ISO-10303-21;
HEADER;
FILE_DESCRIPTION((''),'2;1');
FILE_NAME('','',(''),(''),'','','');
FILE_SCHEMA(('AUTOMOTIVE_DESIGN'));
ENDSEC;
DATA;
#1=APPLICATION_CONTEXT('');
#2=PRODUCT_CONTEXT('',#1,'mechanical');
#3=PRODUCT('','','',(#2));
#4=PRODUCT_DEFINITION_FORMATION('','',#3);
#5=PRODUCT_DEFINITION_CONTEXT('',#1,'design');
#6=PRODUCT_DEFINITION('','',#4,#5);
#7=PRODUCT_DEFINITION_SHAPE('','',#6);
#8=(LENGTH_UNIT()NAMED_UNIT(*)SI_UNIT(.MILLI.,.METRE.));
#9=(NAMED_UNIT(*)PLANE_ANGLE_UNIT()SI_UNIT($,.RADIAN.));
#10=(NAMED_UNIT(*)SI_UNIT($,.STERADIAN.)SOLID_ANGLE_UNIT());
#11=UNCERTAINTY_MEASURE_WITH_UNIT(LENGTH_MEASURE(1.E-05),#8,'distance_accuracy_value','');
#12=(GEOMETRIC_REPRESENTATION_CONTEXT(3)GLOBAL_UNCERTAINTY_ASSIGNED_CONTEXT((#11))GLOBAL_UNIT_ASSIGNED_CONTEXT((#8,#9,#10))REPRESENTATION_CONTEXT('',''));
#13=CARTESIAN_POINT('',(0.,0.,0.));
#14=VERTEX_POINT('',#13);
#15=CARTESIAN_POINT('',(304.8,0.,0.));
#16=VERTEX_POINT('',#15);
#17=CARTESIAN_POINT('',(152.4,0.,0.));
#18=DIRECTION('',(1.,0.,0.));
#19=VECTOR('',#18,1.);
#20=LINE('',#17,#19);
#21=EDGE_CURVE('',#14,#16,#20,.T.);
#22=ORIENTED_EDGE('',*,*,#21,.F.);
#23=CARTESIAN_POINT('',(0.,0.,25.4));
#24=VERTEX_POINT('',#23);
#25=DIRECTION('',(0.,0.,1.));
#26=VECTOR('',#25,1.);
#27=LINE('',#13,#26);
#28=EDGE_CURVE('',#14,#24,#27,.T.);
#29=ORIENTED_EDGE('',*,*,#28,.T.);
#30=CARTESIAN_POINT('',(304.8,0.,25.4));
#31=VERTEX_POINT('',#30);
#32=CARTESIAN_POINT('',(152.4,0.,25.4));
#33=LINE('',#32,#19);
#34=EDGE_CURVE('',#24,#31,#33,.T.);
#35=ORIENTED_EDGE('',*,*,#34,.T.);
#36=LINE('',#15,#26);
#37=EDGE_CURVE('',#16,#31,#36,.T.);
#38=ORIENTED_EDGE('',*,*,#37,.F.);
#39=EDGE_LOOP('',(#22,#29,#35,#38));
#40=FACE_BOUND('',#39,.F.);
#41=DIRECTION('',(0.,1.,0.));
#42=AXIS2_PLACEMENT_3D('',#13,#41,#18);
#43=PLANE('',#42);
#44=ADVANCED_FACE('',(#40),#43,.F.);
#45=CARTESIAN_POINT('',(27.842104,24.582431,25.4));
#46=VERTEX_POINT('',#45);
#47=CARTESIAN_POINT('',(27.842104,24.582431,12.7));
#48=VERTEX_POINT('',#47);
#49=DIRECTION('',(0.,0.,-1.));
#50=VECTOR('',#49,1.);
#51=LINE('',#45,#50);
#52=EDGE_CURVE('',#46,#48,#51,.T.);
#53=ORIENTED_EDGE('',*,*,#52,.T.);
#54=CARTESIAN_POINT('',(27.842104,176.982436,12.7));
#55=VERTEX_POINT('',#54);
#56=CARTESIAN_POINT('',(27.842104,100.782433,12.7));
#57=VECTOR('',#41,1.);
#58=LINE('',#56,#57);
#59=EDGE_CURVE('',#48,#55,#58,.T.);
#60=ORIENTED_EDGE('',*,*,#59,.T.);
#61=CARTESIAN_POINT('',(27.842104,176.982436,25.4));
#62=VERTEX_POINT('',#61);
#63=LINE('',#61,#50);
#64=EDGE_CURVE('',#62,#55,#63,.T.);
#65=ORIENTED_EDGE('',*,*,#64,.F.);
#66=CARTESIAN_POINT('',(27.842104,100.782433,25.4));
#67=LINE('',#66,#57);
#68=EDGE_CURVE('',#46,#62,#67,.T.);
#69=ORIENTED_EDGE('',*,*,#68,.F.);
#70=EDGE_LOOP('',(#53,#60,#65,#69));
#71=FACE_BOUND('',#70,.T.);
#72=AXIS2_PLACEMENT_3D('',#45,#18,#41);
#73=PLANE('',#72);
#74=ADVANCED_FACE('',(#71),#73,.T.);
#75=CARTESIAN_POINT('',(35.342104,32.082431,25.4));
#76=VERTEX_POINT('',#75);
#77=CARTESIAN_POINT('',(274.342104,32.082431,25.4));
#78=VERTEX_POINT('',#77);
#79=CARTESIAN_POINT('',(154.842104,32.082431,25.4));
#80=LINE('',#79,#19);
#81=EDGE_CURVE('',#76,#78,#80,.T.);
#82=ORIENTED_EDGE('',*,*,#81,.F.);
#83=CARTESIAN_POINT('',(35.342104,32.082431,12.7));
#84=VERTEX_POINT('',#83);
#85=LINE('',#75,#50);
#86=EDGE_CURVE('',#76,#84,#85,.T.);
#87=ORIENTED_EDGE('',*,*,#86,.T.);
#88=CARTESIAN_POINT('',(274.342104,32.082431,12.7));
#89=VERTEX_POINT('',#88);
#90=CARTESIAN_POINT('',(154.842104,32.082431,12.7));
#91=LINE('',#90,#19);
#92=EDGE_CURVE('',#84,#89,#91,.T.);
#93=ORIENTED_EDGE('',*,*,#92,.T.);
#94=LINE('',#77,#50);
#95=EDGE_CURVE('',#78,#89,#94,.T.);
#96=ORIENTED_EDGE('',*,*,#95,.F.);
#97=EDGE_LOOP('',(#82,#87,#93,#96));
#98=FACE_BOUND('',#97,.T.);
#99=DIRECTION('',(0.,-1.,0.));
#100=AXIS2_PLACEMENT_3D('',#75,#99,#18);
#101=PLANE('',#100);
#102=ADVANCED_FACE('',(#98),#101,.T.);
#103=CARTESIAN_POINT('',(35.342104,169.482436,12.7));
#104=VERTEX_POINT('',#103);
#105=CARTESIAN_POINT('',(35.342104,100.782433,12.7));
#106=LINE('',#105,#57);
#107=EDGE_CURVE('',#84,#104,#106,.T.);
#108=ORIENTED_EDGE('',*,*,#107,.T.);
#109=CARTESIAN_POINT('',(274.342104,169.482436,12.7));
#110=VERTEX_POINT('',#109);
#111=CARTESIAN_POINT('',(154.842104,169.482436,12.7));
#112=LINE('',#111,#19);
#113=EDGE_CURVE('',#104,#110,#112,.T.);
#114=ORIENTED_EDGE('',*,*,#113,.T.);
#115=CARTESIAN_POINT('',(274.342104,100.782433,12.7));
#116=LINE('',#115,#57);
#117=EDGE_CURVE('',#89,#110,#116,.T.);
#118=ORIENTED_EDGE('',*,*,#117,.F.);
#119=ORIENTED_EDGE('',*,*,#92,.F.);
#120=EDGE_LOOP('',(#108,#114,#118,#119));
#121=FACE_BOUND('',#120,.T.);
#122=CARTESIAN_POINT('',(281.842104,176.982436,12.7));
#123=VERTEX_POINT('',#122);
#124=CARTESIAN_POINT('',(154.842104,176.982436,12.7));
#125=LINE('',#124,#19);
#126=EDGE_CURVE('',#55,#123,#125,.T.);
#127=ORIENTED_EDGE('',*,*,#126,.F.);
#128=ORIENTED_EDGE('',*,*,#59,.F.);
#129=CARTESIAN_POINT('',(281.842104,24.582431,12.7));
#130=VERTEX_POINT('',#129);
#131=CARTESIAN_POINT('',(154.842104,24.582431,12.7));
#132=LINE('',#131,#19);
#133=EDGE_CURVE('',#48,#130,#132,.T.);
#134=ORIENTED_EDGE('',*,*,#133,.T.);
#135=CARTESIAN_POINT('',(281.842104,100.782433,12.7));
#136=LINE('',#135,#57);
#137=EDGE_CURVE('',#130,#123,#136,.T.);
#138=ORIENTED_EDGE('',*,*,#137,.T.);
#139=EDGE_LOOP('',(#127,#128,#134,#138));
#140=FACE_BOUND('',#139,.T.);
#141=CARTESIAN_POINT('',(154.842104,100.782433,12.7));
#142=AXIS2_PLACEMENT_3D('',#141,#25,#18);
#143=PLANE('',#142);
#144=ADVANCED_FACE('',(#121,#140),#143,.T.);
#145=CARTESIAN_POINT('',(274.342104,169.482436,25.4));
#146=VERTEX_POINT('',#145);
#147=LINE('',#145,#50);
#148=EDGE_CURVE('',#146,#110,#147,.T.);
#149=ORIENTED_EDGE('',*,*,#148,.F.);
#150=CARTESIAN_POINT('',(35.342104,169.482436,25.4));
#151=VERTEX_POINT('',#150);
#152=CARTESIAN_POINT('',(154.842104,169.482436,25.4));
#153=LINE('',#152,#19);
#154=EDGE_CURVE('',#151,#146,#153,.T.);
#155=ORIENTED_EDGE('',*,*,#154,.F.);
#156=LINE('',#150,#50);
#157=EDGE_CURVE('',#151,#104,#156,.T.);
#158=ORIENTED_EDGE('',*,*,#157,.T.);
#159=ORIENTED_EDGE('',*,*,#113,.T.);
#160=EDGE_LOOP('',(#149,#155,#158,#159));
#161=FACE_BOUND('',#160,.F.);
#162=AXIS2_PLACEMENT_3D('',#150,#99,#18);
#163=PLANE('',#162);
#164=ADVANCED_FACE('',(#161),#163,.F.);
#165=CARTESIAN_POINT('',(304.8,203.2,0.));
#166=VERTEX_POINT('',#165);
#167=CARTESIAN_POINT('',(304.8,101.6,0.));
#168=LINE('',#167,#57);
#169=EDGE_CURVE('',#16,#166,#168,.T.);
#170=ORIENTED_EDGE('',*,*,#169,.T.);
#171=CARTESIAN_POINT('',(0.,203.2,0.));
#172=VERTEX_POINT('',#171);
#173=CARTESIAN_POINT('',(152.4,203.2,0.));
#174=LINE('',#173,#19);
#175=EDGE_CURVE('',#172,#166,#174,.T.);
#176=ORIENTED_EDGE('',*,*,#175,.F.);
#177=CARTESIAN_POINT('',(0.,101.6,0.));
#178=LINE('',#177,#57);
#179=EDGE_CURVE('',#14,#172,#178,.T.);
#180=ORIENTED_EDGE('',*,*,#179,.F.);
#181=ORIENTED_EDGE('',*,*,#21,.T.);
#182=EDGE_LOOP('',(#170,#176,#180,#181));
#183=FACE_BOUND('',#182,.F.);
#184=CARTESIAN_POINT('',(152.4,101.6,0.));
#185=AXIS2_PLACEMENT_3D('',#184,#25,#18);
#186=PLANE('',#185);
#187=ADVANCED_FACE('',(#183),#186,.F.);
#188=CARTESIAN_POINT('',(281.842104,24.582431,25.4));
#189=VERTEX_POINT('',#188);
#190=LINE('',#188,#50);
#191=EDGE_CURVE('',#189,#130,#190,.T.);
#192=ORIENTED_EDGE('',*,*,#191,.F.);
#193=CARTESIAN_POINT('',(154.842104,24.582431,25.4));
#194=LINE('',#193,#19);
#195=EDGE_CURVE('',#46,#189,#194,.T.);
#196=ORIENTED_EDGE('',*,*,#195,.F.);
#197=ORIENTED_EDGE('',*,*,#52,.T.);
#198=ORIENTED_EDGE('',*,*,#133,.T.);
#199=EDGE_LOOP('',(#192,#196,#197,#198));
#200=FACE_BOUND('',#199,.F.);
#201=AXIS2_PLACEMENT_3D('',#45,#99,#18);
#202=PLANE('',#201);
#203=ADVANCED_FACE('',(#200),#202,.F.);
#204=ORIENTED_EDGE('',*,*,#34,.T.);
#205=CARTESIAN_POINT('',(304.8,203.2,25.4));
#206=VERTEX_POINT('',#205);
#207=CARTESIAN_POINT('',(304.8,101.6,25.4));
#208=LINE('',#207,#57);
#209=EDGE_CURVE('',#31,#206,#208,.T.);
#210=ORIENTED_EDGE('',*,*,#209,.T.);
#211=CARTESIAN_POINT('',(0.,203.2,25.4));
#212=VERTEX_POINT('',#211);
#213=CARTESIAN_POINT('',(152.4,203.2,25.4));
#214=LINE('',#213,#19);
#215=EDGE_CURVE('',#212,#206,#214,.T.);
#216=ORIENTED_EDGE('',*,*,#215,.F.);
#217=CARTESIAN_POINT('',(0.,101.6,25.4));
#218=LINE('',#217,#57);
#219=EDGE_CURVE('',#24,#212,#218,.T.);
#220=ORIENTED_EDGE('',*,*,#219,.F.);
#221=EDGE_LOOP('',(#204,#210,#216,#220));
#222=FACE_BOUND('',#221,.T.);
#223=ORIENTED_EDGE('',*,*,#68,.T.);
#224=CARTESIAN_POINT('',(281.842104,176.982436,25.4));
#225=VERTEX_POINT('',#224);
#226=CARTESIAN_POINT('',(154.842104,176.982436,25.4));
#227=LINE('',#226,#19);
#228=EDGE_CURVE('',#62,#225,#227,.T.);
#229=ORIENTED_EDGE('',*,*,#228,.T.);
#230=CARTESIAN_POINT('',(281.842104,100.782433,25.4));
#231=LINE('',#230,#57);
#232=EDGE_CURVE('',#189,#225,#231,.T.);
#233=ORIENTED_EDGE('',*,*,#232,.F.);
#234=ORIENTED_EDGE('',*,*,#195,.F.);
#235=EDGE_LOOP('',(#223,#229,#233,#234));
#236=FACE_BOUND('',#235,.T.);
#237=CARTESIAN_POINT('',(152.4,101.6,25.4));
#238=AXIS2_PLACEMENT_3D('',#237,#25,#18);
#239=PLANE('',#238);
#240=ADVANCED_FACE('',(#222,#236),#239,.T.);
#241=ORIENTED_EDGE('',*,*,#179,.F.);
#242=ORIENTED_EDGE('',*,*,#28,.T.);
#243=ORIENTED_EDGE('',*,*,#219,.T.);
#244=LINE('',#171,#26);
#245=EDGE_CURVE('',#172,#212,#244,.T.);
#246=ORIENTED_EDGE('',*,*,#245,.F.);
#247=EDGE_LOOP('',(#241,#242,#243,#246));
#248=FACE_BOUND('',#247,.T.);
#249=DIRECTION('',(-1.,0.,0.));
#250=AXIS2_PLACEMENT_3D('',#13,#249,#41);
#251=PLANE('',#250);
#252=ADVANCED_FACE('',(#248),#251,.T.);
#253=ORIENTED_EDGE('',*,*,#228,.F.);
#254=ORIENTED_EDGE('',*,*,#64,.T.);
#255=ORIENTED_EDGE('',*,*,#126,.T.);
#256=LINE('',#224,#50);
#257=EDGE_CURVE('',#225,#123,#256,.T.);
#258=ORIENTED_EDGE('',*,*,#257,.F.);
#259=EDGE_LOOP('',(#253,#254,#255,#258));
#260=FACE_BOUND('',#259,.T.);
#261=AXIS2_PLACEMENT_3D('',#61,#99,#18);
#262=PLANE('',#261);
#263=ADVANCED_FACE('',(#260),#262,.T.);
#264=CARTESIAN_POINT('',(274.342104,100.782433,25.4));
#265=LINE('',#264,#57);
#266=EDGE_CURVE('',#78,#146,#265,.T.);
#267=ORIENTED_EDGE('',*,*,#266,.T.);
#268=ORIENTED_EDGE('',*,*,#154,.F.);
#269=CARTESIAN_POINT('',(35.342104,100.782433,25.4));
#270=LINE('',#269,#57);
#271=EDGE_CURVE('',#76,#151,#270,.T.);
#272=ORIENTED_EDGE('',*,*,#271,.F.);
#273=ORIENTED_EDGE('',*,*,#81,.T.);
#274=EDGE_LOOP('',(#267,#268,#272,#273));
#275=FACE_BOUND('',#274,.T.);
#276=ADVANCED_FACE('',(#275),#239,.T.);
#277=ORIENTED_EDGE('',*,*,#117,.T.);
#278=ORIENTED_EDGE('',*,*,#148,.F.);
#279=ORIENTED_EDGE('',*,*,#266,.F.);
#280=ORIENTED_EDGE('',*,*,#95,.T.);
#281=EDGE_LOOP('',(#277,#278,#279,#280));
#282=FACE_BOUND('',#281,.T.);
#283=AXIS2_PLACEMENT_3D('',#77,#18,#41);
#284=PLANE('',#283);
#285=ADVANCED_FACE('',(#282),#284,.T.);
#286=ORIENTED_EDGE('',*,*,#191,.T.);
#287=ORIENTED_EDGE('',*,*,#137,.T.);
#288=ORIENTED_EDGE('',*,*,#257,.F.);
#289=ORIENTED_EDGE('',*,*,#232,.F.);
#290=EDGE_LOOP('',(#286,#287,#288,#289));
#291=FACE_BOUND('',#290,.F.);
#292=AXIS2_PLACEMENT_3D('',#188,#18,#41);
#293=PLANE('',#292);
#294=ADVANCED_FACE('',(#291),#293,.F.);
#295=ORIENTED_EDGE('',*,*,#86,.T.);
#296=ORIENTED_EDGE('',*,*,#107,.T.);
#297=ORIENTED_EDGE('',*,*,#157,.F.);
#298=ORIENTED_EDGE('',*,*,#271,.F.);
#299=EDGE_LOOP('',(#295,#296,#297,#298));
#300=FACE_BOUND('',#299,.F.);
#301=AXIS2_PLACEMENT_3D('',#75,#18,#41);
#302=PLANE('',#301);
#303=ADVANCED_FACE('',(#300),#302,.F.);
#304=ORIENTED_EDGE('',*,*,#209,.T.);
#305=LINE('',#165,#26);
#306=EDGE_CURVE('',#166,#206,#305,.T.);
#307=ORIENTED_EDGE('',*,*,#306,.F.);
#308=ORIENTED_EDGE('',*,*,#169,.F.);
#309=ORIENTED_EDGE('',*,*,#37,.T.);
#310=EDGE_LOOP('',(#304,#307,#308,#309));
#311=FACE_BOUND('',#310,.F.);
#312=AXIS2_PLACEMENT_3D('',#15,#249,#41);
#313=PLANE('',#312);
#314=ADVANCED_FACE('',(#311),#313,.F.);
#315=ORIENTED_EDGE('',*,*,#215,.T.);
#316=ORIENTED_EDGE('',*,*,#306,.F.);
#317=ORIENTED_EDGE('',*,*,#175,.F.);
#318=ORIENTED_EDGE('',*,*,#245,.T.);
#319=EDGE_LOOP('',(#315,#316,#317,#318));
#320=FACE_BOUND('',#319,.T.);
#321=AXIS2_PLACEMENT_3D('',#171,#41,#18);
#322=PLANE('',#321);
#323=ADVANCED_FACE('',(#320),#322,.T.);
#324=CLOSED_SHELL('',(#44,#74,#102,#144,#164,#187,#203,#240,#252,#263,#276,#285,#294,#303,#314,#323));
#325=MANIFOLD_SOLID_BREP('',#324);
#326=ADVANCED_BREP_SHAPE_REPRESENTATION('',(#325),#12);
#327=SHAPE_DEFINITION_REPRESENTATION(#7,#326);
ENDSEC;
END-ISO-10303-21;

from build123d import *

# Parameters (mm, degrees)
F0_W     = 304.8
F0_H     = 203.2
F1_DEPTH = 25.4
F2_W     = 254
F2_H     = 152.400005
F2_W_2   = 239
F2_H_2   = 137.400005
F3_DEPTH = 12.7


with BuildPart() as f1:
    # F0 (on Top) → F1 (new body)
    with BuildSketch(Plane.XY):
        with Locations((152.4, 101.6)):
            Rectangle(F0_W, F0_H)
    extrude(amount=F1_DEPTH)

    # F2 (on face) → F3 (cut)
    with BuildSketch(Plane.XY.offset(25.4)):
        with Locations((154.842104, 100.782433)):
            Rectangle(F2_W, F2_H)
        with Locations((154.842104, 100.782433)):
            Rectangle(F2_W_2, F2_H_2, mode=Mode.SUBTRACT)
    extrude(amount=-F3_DEPTH, mode=Mode.SUBTRACT)


solid = f1.part
